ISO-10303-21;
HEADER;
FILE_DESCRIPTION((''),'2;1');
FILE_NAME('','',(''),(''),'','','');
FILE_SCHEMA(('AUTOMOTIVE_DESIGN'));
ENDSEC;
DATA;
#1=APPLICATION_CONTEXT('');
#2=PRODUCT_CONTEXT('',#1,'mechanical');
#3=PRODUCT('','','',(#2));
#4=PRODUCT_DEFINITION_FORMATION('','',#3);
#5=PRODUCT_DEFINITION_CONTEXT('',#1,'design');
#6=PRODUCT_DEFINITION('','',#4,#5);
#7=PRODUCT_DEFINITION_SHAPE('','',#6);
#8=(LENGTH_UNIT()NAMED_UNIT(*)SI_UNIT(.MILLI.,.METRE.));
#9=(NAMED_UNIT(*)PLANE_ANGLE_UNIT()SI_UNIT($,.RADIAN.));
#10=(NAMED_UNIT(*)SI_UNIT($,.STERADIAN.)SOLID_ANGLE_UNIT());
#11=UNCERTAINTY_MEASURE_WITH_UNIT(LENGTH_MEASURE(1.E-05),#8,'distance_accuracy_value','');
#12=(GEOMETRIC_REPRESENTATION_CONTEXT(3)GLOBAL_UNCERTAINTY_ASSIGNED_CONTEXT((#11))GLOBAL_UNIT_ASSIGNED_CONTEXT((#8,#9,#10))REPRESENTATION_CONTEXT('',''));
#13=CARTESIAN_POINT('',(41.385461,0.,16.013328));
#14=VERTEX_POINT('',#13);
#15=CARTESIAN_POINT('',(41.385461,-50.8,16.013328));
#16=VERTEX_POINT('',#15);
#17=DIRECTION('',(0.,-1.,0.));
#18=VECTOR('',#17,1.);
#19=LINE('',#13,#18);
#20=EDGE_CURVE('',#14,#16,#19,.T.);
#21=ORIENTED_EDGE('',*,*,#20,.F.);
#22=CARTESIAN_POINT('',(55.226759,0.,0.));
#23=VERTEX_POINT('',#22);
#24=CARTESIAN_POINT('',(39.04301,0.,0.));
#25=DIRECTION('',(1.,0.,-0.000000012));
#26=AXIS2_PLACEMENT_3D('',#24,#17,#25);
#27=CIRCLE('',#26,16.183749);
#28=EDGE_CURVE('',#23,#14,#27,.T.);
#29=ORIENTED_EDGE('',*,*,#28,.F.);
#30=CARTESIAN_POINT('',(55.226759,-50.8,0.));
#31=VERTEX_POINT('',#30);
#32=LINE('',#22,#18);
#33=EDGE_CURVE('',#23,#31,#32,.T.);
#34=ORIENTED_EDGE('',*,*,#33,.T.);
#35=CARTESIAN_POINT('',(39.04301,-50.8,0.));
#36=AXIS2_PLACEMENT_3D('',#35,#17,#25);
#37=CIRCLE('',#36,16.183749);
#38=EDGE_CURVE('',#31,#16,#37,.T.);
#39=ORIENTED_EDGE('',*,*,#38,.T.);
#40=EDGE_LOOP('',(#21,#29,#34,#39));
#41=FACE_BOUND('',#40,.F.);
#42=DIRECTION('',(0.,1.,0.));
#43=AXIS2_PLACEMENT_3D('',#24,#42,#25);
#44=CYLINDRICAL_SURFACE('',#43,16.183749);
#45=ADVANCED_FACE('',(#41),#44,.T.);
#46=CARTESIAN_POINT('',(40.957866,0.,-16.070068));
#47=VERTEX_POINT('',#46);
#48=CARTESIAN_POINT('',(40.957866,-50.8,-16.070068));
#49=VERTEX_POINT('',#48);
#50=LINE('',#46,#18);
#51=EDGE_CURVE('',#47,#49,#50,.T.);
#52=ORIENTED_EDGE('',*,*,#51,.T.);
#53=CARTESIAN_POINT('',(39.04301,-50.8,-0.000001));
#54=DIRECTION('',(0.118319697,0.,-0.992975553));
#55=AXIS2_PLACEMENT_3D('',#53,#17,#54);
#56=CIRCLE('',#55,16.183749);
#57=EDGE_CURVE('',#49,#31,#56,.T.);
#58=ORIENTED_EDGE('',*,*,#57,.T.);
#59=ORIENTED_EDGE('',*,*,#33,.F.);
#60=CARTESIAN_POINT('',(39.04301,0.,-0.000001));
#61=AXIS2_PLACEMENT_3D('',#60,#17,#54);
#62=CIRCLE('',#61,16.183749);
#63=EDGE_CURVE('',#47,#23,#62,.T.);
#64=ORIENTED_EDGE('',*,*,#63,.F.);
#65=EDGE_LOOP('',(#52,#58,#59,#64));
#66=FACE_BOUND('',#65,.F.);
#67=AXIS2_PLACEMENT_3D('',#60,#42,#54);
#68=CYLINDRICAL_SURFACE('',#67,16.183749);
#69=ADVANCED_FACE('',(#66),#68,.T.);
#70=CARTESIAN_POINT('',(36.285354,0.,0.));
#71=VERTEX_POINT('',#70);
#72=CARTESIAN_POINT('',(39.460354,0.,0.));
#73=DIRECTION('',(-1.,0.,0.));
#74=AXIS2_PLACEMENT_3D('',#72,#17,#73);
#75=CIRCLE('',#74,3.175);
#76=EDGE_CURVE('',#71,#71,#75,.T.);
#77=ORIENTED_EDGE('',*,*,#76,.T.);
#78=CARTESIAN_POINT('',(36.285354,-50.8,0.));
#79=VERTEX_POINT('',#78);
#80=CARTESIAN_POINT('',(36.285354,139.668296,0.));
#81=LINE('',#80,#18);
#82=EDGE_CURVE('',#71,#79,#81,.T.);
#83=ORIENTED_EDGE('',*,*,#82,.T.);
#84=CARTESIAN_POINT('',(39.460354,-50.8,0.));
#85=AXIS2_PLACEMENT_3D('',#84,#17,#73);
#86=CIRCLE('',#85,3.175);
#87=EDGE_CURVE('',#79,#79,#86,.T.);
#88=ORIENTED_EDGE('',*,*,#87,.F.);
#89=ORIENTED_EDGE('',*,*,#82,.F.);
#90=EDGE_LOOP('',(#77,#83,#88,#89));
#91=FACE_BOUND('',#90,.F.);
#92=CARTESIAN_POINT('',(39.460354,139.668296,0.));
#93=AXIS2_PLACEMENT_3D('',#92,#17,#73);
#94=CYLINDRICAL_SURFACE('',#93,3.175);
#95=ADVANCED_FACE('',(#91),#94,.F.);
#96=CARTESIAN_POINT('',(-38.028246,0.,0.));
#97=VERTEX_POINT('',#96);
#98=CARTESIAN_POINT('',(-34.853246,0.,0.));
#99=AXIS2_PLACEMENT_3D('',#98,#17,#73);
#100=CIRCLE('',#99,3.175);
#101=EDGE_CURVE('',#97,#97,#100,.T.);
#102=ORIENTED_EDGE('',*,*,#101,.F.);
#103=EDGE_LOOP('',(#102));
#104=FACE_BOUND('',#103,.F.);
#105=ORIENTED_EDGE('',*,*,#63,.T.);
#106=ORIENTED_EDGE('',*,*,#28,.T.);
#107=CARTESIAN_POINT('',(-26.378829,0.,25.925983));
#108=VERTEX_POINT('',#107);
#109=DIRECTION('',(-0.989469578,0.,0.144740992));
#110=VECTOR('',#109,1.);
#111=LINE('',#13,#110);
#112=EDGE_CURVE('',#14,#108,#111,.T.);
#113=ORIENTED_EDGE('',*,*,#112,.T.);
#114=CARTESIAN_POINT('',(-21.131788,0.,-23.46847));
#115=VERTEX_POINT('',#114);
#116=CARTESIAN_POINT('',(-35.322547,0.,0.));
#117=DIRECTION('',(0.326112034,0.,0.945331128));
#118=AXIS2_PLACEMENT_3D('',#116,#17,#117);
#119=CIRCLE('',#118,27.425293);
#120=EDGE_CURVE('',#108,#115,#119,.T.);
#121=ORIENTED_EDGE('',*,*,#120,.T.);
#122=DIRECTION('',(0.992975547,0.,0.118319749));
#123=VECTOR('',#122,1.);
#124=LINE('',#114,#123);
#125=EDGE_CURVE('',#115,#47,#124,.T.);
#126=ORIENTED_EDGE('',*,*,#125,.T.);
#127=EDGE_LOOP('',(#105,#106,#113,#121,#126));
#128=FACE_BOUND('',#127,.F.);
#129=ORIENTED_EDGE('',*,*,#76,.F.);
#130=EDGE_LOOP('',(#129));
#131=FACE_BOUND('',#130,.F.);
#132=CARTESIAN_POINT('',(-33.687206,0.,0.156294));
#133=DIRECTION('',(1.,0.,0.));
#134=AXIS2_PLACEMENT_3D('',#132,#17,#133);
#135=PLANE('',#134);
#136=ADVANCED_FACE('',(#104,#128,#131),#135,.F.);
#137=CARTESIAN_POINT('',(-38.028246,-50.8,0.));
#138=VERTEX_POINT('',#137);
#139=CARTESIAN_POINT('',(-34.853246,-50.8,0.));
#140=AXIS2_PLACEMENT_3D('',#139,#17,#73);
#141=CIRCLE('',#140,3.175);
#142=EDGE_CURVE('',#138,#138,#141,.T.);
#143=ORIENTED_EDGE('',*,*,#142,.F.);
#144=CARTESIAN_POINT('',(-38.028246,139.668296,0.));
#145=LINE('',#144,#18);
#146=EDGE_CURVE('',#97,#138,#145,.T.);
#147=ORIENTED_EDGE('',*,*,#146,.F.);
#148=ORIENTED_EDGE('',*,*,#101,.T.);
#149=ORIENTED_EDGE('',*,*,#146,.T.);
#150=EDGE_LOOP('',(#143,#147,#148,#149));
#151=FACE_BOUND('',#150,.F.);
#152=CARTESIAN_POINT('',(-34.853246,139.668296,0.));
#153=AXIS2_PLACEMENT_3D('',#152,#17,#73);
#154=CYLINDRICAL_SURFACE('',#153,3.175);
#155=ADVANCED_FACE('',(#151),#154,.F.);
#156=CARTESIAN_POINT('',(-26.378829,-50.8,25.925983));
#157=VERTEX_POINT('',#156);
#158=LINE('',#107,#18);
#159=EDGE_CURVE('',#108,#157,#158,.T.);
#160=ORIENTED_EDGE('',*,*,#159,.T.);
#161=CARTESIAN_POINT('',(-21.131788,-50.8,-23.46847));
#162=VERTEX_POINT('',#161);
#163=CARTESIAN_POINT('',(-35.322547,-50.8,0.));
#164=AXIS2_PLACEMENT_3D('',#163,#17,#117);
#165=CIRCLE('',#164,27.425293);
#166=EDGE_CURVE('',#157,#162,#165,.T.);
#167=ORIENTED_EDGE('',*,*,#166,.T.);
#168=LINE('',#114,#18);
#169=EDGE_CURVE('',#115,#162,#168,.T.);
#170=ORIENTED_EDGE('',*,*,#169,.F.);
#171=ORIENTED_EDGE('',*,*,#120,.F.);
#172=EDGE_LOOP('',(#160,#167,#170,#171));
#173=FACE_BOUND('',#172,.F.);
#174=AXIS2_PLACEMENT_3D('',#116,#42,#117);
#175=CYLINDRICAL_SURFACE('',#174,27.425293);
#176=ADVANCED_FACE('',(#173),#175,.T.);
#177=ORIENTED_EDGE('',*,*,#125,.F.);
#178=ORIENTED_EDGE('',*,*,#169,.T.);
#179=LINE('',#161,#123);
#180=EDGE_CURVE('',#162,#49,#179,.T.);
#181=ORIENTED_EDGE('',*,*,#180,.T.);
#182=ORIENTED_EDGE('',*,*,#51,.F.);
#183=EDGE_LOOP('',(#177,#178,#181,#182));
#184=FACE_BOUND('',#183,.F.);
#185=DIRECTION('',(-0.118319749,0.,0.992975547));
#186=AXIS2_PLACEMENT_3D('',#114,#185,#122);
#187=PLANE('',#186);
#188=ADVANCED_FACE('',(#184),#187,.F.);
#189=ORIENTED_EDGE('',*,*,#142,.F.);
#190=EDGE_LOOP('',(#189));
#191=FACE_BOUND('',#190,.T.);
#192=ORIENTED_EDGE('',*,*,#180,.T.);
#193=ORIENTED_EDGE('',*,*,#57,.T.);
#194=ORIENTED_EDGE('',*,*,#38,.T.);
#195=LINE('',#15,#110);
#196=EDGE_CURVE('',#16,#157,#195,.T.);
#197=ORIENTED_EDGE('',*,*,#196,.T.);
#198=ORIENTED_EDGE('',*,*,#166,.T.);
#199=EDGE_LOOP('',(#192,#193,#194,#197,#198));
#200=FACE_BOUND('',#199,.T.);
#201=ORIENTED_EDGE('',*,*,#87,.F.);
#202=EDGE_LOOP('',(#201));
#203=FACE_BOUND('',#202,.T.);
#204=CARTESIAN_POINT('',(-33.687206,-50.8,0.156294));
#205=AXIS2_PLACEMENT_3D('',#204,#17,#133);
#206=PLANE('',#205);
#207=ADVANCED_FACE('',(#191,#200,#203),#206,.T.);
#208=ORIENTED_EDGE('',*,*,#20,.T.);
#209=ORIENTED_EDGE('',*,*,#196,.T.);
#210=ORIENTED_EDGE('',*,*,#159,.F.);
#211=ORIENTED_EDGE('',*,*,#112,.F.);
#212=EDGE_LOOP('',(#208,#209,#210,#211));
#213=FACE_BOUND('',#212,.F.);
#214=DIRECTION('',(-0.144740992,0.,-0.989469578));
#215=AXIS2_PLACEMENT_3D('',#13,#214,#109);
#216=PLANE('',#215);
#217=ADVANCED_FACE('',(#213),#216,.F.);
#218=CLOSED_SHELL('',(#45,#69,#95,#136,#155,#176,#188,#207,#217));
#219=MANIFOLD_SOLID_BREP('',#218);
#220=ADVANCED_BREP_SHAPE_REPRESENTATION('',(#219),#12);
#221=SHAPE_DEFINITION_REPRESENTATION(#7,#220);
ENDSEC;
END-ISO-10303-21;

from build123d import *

# Parameters (mm, degrees)
F2_DEPTH = 50.8
F3_D     = 6.35


with BuildPart() as f2:
    # F0 (on Front) → F2 (new body)
    with BuildSketch(Plane.XZ):
        with BuildLine():
            ThreePointArc((-21.131788, -23.46847), (-11.433926, -13.47147), (-7.897254, 0))
            ThreePointArc((-7.897254, 0), (-12.99061, 15.919526), (-26.378829, 25.925983))
            ThreePointArc((-26.378829, 25.925983), (-62.594401, -2.897016), (-21.131788, -23.46847))
        make_face()
        with BuildLine():
            ThreePointArc((-26.378829, 25.925983), (-12.99061, 15.919526), (-7.897254, 0))
            ThreePointArc((-7.897254, 0), (-11.433926, -13.47147), (-21.131788, -23.46847))
            Line((-21.131788, -23.46847), (40.957866, -16.070068))
            ThreePointArc((40.957866, -16.070068), (22.860697, 0.215672), (41.385461, 16.013328))
            Line((41.385461, 16.013328), (-26.378829, 25.925983))
        make_face()
        with BuildLine():
            ThreePointArc((55.226759, 0), (51.286853, 10.583102), (41.385461, 16.013328))
            ThreePointArc((41.385461, 16.013328), (22.860697, 0.215672), (40.957866, -16.070068))
            ThreePointArc((40.957866, -16.070068), (51.144731, -10.745329), (55.226759, 0))
        make_face()
    extrude(amount=F2_DEPTH)

    # F3 (through all)
    with Locations(Plane(origin=(0, 0, 0), x_dir=(1, 0, 0), z_dir=(0, 1, 0))):
        with Locations((-34.853246, 0), (39.460354, 0)):
            Hole(F3_D / 2)


solid = f2.part
